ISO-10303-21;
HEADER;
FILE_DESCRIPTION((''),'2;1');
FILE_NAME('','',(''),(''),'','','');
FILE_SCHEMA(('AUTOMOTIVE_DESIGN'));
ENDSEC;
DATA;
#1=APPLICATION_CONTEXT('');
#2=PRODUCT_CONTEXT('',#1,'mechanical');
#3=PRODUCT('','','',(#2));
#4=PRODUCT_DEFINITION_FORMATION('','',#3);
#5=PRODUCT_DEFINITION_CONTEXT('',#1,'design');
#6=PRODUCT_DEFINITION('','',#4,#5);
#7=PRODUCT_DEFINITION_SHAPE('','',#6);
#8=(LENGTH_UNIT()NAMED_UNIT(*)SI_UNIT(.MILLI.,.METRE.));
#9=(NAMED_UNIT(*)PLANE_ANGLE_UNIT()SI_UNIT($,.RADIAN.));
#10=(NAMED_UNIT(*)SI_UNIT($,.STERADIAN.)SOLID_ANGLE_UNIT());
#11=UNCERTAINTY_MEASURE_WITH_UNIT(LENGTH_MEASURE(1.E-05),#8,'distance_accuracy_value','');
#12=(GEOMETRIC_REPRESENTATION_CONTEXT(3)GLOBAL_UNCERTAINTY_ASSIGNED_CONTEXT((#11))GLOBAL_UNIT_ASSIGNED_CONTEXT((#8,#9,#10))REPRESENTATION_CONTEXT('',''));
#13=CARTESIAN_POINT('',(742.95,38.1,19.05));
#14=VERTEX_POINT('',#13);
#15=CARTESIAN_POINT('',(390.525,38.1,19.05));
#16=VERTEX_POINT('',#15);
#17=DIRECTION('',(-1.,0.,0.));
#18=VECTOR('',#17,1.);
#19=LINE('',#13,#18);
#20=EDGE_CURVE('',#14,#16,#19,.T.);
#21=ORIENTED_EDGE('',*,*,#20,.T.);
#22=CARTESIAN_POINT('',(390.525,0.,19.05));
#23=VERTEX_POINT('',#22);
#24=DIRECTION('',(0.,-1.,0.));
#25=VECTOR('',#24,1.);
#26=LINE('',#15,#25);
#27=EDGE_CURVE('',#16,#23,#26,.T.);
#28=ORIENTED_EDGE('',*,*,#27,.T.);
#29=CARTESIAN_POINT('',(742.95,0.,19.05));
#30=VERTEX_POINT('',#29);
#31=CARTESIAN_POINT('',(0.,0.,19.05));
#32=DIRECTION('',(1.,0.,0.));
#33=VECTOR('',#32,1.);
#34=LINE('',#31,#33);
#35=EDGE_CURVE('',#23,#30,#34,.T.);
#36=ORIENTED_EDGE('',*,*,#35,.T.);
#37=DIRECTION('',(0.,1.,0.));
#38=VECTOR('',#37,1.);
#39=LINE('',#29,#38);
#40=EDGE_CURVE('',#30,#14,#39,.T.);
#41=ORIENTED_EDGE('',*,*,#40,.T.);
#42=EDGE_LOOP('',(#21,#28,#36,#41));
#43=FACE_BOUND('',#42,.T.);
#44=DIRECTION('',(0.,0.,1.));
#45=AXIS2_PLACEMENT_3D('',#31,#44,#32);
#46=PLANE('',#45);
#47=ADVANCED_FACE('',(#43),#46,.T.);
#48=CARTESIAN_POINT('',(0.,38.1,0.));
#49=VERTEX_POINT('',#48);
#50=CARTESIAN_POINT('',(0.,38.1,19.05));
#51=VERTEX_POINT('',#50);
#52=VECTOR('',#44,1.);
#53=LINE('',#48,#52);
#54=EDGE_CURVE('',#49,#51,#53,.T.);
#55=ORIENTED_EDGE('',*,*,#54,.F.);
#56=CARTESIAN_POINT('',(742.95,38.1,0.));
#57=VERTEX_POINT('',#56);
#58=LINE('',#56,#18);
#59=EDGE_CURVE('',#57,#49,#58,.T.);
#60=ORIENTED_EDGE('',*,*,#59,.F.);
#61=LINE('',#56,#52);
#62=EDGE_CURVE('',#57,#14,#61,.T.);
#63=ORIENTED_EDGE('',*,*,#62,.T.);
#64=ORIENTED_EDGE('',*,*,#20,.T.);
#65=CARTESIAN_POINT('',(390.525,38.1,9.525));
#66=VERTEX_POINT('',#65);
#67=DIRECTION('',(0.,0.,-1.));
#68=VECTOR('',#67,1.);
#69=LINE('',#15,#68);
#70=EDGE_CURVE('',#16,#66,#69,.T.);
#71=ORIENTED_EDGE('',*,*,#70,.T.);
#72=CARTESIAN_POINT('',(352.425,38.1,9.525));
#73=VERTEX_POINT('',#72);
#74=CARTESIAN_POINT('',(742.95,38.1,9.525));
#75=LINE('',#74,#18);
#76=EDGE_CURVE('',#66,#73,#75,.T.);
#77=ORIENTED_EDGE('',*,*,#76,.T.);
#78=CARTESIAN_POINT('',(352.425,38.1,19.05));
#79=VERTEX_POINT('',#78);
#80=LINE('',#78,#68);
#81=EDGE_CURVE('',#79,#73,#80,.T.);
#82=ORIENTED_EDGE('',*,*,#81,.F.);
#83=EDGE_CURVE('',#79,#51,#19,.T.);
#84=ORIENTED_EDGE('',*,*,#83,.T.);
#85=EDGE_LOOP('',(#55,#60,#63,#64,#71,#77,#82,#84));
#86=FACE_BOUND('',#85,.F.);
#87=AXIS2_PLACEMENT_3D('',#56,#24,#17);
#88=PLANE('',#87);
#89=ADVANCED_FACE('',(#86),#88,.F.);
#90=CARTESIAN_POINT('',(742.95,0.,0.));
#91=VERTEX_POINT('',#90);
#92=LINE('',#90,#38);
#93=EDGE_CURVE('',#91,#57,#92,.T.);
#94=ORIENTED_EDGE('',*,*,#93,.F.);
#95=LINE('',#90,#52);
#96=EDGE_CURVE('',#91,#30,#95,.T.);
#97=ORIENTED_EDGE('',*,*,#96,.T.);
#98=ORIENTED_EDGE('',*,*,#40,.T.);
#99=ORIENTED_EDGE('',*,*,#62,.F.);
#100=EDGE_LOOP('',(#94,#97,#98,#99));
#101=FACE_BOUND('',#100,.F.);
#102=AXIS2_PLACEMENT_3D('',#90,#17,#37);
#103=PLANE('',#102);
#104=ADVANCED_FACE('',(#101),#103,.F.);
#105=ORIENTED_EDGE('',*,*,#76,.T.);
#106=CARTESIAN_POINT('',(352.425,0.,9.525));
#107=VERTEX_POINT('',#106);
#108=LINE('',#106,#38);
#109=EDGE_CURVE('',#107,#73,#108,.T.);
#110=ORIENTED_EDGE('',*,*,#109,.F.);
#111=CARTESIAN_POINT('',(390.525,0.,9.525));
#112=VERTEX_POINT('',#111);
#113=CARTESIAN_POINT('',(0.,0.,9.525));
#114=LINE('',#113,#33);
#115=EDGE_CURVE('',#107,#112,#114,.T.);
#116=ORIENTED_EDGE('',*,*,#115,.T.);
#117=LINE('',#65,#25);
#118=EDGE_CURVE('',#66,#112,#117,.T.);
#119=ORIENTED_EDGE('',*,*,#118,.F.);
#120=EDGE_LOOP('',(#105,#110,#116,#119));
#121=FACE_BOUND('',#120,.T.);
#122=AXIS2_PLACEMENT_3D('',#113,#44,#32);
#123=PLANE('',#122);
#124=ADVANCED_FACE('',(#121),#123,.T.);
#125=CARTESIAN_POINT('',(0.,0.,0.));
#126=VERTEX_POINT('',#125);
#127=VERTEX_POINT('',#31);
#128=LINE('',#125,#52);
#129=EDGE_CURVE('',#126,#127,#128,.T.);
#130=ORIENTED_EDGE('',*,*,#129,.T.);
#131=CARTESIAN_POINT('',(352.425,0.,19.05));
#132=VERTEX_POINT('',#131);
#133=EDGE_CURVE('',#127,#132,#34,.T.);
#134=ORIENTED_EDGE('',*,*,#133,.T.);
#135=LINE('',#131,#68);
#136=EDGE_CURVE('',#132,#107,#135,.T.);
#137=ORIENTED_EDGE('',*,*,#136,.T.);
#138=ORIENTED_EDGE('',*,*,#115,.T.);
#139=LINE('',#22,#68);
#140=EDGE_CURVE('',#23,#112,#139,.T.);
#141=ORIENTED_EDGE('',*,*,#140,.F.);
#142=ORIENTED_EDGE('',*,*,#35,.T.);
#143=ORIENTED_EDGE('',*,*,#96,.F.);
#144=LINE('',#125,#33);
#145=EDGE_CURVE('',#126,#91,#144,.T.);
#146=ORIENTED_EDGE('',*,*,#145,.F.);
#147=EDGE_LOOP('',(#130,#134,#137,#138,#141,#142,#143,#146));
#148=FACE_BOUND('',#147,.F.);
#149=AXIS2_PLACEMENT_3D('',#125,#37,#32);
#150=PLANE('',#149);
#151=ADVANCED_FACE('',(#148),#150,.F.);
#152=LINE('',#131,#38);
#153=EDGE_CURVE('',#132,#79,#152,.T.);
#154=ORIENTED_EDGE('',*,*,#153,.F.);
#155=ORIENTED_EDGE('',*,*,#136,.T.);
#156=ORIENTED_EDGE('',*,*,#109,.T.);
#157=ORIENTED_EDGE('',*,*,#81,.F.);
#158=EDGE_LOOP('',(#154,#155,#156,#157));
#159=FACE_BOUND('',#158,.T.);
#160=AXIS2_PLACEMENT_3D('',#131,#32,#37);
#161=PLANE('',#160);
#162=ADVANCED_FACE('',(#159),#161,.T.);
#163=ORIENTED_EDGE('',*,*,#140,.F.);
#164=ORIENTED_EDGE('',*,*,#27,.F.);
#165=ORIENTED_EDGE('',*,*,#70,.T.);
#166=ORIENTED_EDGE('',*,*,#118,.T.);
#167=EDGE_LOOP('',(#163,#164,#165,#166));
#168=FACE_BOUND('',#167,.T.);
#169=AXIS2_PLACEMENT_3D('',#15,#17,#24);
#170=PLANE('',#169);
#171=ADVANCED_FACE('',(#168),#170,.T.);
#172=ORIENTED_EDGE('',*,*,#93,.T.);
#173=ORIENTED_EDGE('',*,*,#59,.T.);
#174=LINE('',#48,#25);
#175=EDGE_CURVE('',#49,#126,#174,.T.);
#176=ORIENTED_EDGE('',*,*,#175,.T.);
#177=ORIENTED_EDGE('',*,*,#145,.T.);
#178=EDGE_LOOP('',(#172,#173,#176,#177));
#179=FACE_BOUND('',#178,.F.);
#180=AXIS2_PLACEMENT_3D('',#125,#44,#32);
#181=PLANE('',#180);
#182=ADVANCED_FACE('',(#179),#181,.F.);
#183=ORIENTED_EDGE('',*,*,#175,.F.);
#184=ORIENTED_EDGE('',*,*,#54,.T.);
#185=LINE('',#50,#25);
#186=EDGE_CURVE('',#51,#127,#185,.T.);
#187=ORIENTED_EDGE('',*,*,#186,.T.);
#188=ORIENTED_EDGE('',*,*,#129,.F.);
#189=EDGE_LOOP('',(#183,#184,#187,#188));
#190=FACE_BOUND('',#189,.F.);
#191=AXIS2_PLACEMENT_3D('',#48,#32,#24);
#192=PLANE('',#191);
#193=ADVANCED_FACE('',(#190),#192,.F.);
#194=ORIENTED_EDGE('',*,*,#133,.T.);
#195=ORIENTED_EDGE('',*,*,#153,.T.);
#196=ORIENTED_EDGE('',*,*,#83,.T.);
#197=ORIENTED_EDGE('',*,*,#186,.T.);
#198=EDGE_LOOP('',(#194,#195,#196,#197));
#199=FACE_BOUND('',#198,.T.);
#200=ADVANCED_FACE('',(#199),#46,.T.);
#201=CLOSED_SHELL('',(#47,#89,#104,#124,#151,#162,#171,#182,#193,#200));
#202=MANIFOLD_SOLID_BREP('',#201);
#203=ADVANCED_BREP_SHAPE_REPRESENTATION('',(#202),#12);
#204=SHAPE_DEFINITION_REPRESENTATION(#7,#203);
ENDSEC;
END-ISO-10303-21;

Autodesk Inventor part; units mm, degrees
ref_plane "YZ Plane" through (0, 0, 0) normal (1, 0, 0) x (0, 1, 0)
ref_plane "XZ Plane" through (0, 0, 0) normal (0, 1, 0) x (-1, 0, 0)
ref_plane "XY Plane" through (0, 0, 0) normal (0, 0, 1) x (1, 0, 0)
sketch "Sketch1" plane through (0, 0, 0) normal (0, 0, 1) x (1, 0, 0)
  line L0 (0, 0) -> (742.95, 0)
  line L1 (742.95, 0) -> (742.95, 38.1)
  line L2 (742.95, 38.1) -> (0, 38.1)
  line L3 (0, 38.1) -> (0, 0)
  dimension "d0" = 742.95
  dimension "d1" = 38.1
extrude "Board" add sketch "Sketch1" along normal blind 19.05
sketch "Sketch2" plane through (0, 0, 19.05) normal (0, 0, 1) x (1, 0, 0)
  line L0 (742.95, 38.1) -> (0, 38.1) projected
  line L1 (0, 0) -> (742.95, 0) projected
  line L2 (352.425, 38.1) -> (390.525, 38.1)
  line L3 (390.525, 38.1) -> (390.525, 0)
  line L4 (390.525, 0) -> (352.425, 0)
  line L5 (352.425, 0) -> (352.425, 38.1)
  line L6 (0, 38.1) -> (0, 0) projected
  dimension "d4" = 38.1
  dimension "d5" = 352.425
extrude "Extrusion2" cut sketch "Sketch2" against normal blind 9.525 contours L3 L1 L5 L0
equation "\"d5\" = -0.5 * d4 + 0.5 * d0"
properties part number "Cabinet Support Frame Horizontal Bar Low"
